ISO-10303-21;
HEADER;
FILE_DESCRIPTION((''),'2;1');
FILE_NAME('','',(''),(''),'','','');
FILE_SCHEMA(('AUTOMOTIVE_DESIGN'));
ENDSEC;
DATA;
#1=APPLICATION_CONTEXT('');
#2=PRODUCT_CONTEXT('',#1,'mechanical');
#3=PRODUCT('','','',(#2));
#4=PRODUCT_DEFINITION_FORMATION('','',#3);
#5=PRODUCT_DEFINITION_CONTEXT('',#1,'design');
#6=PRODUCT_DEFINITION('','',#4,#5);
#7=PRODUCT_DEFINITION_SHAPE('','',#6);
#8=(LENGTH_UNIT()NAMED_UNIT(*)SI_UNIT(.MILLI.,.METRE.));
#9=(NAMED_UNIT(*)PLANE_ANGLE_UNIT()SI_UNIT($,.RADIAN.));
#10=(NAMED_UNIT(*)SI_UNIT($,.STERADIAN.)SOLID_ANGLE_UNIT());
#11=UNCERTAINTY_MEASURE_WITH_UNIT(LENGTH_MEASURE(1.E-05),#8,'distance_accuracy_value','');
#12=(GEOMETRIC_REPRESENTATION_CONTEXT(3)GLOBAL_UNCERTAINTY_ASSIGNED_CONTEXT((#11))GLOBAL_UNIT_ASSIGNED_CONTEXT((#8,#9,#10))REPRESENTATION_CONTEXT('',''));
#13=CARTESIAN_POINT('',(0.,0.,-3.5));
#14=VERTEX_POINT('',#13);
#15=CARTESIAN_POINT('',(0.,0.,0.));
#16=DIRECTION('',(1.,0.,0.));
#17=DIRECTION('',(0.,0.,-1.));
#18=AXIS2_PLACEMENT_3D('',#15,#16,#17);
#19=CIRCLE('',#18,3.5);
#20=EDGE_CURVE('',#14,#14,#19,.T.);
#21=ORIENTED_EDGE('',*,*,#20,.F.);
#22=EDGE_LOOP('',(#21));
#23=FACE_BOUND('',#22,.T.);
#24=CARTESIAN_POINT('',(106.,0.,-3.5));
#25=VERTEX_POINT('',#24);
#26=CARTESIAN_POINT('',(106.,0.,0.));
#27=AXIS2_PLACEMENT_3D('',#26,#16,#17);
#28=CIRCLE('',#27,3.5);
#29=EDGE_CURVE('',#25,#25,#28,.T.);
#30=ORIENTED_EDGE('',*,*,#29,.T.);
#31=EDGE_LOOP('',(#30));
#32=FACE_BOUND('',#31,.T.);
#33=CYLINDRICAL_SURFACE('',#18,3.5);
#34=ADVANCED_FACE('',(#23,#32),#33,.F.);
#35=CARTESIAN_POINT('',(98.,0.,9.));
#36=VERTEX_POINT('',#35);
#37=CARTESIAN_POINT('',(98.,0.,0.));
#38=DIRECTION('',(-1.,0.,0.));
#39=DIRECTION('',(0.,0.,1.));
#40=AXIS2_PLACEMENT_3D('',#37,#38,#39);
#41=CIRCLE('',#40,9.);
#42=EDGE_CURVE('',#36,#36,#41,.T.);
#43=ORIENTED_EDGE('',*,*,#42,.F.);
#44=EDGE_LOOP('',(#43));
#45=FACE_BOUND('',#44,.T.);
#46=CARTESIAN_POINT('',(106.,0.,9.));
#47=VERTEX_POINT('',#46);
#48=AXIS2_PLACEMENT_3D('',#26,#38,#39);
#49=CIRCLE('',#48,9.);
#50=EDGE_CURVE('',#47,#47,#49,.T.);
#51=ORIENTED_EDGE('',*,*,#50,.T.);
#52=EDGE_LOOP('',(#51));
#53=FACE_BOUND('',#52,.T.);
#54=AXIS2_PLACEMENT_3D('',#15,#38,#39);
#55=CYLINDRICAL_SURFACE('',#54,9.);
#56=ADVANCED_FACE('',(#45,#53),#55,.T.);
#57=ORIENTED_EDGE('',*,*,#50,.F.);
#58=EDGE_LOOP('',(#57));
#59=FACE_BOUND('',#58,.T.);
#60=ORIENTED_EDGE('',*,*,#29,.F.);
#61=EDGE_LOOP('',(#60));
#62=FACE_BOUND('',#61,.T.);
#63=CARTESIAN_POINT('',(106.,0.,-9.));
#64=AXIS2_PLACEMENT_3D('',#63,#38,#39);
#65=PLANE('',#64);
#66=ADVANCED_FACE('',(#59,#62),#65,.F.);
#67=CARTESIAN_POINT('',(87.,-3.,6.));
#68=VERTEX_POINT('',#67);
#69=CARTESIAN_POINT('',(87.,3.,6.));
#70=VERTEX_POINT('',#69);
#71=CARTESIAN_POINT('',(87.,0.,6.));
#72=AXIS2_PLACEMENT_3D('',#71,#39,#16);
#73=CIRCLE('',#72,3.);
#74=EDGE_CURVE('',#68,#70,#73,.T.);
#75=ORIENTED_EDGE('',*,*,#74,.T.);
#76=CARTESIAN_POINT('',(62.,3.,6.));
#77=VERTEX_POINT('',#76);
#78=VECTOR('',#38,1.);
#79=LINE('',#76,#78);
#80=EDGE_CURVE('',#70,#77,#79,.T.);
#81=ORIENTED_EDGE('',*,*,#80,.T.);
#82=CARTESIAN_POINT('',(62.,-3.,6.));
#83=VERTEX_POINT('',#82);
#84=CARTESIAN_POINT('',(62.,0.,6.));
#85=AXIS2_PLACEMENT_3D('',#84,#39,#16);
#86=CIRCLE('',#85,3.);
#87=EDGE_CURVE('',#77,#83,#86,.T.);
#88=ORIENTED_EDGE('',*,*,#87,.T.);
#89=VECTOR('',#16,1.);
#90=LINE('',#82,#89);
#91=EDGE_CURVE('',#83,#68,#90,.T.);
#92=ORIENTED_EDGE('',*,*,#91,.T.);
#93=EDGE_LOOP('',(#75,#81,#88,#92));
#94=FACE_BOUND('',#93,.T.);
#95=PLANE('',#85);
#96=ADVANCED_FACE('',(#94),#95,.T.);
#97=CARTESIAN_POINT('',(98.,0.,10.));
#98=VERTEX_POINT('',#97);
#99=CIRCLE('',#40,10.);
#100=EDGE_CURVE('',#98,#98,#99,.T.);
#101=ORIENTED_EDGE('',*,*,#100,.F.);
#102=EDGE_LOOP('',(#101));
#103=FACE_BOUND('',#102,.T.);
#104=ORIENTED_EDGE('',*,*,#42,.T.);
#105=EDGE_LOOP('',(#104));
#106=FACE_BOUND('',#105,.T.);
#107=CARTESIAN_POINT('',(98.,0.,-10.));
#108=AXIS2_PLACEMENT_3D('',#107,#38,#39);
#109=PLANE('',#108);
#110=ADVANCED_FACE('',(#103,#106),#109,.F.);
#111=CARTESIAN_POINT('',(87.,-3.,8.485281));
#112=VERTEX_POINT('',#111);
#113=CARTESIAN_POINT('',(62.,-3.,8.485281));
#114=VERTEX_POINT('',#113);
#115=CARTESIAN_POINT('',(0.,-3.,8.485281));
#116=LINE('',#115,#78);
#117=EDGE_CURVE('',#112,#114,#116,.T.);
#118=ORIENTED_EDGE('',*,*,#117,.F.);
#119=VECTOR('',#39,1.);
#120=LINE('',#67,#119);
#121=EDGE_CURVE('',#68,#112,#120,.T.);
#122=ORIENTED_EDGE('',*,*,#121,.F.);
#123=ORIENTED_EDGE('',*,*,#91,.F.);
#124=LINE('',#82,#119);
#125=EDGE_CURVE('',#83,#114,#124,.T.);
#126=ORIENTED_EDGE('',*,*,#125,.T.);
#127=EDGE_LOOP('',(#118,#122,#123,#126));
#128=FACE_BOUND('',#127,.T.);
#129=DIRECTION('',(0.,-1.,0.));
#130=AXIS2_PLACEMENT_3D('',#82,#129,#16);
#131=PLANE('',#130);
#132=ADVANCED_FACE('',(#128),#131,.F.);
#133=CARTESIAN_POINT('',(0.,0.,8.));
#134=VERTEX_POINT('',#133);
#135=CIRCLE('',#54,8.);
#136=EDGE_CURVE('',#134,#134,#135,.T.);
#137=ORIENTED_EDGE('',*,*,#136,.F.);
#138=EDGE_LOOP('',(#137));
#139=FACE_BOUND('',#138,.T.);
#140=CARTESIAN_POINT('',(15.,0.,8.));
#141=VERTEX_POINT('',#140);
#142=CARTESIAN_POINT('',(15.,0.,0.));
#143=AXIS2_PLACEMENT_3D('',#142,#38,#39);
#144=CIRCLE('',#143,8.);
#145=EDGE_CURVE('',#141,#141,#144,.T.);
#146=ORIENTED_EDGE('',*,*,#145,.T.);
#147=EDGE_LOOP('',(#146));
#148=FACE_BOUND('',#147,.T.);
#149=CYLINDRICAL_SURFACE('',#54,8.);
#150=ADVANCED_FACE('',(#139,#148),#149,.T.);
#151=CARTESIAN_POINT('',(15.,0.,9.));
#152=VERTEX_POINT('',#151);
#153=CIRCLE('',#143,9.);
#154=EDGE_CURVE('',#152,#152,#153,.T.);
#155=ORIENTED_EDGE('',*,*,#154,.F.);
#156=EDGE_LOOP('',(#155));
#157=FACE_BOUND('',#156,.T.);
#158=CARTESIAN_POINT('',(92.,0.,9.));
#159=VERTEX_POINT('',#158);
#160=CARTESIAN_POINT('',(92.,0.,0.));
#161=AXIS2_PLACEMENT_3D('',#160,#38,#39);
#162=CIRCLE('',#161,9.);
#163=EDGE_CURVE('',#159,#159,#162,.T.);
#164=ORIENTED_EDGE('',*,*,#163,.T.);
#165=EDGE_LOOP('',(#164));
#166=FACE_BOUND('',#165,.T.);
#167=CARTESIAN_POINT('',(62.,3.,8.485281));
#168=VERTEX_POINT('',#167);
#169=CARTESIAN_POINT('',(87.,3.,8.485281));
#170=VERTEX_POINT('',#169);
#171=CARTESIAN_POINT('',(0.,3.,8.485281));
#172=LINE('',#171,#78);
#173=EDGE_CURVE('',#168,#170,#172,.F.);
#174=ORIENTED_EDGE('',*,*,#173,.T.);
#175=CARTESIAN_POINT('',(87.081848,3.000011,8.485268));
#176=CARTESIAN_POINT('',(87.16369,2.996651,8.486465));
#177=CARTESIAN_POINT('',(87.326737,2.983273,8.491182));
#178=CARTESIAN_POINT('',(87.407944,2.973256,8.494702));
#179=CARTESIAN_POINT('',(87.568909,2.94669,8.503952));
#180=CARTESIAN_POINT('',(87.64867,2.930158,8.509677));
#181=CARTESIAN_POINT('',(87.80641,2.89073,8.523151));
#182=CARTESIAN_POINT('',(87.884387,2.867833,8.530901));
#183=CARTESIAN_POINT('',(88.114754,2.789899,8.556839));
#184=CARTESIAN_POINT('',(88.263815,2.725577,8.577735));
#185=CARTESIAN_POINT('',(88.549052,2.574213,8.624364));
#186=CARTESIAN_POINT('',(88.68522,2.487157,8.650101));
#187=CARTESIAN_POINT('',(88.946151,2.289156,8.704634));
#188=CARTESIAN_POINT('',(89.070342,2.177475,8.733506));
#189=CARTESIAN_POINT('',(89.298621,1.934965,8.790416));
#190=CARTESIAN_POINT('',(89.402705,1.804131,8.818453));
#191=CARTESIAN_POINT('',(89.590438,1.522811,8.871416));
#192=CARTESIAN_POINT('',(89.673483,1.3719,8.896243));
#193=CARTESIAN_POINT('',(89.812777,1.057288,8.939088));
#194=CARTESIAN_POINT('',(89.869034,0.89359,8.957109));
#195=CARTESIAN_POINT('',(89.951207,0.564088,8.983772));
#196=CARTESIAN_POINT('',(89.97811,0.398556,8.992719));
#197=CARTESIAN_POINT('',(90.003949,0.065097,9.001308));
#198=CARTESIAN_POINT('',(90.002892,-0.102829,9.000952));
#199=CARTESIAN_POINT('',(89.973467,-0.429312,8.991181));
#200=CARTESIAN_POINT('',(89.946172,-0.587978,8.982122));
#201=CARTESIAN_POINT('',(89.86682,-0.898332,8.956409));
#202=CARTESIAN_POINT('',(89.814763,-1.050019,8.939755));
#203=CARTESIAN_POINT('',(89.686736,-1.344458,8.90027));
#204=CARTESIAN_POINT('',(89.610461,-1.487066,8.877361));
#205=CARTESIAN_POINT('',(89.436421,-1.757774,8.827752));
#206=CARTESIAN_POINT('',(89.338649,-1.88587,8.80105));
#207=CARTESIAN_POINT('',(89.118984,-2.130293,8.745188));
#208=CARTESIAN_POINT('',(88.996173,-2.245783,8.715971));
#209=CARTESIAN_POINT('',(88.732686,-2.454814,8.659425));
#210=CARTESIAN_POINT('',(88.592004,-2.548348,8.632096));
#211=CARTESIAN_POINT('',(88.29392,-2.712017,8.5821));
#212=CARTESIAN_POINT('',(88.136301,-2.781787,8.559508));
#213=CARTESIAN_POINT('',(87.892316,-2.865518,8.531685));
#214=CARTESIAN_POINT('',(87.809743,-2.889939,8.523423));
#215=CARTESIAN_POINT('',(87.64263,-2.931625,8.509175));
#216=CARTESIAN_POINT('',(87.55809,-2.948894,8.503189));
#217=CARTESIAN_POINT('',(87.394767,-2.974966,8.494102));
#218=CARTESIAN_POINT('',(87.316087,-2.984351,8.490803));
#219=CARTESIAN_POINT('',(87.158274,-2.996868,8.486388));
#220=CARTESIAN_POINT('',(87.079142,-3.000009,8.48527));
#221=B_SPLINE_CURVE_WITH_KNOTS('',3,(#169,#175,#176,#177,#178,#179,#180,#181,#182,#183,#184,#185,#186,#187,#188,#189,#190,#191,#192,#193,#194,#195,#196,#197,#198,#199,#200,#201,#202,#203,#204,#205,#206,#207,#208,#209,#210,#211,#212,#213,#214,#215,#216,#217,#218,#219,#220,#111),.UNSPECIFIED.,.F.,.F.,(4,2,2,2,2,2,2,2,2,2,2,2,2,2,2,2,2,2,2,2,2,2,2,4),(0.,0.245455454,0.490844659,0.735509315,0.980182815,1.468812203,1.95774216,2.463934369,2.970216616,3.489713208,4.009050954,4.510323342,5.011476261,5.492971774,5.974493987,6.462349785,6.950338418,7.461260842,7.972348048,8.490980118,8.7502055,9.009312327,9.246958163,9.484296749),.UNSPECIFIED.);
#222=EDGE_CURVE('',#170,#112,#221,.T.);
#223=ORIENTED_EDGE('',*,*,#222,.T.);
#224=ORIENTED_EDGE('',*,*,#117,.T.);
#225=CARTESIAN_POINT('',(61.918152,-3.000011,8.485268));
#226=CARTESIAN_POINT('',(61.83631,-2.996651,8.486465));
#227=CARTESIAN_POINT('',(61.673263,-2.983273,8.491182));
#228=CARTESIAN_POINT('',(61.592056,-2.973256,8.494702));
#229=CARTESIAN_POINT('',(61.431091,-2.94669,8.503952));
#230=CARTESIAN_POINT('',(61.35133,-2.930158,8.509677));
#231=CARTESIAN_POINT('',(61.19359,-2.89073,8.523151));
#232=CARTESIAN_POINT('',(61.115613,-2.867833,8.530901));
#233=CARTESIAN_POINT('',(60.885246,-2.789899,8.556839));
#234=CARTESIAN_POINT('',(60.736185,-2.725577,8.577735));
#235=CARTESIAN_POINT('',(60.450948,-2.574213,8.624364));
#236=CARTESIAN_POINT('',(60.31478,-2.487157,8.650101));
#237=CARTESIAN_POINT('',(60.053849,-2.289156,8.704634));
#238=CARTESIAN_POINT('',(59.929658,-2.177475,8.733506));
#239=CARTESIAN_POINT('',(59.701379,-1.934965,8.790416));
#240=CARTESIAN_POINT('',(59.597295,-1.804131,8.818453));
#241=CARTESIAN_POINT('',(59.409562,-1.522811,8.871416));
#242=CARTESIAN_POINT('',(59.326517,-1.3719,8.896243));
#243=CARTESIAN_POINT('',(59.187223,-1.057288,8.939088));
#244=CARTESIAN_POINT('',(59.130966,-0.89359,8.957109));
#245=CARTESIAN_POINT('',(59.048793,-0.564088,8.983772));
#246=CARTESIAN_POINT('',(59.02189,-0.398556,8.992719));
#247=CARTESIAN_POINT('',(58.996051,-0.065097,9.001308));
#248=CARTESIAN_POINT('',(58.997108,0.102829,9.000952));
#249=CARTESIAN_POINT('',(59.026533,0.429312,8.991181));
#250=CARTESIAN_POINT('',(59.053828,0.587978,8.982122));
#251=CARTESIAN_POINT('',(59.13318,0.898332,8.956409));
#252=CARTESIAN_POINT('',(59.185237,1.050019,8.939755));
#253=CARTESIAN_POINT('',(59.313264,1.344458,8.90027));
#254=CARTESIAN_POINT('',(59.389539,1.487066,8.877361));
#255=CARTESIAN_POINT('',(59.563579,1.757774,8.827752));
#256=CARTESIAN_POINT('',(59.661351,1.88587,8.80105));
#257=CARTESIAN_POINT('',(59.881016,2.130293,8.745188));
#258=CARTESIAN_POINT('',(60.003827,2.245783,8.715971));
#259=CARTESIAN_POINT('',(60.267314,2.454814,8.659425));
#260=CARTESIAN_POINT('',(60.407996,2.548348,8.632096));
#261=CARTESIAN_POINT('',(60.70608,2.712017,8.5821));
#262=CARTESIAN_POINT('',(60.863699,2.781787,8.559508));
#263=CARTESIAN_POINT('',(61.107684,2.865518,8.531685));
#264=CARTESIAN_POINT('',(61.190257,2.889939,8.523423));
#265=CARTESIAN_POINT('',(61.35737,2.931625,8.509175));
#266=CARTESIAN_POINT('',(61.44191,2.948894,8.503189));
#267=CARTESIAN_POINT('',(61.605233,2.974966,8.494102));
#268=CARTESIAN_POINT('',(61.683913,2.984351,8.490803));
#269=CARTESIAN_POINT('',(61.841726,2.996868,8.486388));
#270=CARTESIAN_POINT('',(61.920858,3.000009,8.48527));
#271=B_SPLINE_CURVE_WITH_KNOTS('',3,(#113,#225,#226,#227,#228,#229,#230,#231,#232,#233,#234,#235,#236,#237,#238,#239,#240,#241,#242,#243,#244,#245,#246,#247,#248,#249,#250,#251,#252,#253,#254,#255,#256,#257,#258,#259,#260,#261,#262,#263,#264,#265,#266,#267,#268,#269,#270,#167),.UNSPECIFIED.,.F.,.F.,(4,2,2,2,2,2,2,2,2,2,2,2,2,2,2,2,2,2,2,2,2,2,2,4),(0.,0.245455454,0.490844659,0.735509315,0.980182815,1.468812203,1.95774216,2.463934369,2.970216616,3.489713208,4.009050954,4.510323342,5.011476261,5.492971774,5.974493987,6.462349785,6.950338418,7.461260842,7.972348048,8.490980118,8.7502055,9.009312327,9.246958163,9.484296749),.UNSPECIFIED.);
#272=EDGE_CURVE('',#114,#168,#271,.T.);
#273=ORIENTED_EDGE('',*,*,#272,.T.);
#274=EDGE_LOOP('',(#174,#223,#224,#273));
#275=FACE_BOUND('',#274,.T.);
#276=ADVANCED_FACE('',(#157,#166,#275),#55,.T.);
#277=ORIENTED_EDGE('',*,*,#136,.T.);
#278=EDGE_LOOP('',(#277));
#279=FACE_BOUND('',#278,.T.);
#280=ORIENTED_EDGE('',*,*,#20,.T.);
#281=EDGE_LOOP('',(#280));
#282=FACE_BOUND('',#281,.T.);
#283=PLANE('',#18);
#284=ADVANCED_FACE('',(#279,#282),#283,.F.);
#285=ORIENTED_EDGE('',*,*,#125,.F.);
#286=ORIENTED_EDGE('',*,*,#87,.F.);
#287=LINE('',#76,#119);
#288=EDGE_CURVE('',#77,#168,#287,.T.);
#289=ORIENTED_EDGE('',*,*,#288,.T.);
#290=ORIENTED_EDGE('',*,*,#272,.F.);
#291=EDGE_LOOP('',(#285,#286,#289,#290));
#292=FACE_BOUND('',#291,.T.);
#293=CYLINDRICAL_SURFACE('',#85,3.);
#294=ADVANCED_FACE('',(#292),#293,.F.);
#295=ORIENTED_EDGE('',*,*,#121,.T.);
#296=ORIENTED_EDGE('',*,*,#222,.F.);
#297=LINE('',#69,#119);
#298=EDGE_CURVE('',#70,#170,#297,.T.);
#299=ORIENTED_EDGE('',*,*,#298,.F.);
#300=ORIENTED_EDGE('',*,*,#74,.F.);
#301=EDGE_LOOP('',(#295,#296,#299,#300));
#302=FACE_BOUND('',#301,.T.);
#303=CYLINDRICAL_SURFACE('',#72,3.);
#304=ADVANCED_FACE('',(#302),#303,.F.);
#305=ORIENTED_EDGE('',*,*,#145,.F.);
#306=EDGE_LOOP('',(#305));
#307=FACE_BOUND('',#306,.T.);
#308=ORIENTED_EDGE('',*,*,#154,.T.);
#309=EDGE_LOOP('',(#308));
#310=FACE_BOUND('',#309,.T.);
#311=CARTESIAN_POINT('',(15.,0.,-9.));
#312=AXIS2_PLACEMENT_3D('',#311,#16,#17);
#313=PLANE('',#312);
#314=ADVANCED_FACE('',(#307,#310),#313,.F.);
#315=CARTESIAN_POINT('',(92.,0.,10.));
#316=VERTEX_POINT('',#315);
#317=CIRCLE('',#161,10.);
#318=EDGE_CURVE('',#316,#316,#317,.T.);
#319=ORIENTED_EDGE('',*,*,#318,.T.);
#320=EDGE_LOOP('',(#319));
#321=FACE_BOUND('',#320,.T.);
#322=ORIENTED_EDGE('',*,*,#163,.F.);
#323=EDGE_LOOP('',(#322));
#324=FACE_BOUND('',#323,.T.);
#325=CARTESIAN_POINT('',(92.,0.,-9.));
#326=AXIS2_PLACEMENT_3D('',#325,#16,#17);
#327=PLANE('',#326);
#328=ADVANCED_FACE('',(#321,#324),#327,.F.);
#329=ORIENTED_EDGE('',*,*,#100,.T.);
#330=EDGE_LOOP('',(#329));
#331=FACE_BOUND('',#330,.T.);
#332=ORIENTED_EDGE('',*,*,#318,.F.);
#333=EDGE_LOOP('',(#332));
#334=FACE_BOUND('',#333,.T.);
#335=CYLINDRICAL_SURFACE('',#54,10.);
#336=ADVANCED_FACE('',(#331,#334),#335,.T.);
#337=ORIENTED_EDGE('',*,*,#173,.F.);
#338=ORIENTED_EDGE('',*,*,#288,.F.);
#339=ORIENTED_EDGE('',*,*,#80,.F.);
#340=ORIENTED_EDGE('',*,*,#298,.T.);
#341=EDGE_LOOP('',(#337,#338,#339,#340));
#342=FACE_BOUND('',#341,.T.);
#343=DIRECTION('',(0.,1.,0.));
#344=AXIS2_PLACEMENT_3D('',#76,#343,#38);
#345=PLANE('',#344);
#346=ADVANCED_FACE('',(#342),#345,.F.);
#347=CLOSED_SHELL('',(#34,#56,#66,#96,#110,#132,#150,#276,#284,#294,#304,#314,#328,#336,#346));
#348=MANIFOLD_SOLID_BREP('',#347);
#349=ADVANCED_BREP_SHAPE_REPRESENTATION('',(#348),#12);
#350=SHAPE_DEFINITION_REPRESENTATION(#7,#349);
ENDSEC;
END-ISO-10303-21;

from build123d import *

# Parameters (mm, degrees)
CUT_EXTRUDE_2_DEPTH = 3
SKETCH_5_R          = 3.5
CUT_EXTRUDE_3_DEPTH = 107


with BuildPart() as part:
    # 草图2 → 旋转1 (revolve)
    with BuildSketch(Plane(origin=(0, 0, 0), x_dir=(1, 0, 0), z_dir=(0, 1, 0))):
        Polygon((0, 0), (0, 8), (15, 8), (15, 9), (92, 9), (92, 10), (98, 10), (98, 9), (106, 9), (106, 0), align=None)
    revolve(axis=Axis((0, 0, 0), (1, 0, 0)))

    # 草图4 → 切除-拉伸2 (cut)
    with BuildSketch(Plane.XY.offset(9)):
        with BuildLine():
            Line((62, 3), (87, 3))
            ThreePointArc((87, 3), (90, 0), (87, -3))
            Line((87, -3), (62, -3))
            ThreePointArc((62, -3), (59, 0), (62, 3))
        make_face()
    extrude(amount=-CUT_EXTRUDE_2_DEPTH, mode=Mode.SUBTRACT)

    # 草图5 → 切除-拉伸3 (cut, through all)
    with BuildSketch(Plane(origin=(106, 0, 0), x_dir=(0, 0, -1), z_dir=(1, 0, 0))):
        Circle(SKETCH_5_R)
    extrude(amount=-CUT_EXTRUDE_3_DEPTH, mode=Mode.SUBTRACT)


solid = part.part
